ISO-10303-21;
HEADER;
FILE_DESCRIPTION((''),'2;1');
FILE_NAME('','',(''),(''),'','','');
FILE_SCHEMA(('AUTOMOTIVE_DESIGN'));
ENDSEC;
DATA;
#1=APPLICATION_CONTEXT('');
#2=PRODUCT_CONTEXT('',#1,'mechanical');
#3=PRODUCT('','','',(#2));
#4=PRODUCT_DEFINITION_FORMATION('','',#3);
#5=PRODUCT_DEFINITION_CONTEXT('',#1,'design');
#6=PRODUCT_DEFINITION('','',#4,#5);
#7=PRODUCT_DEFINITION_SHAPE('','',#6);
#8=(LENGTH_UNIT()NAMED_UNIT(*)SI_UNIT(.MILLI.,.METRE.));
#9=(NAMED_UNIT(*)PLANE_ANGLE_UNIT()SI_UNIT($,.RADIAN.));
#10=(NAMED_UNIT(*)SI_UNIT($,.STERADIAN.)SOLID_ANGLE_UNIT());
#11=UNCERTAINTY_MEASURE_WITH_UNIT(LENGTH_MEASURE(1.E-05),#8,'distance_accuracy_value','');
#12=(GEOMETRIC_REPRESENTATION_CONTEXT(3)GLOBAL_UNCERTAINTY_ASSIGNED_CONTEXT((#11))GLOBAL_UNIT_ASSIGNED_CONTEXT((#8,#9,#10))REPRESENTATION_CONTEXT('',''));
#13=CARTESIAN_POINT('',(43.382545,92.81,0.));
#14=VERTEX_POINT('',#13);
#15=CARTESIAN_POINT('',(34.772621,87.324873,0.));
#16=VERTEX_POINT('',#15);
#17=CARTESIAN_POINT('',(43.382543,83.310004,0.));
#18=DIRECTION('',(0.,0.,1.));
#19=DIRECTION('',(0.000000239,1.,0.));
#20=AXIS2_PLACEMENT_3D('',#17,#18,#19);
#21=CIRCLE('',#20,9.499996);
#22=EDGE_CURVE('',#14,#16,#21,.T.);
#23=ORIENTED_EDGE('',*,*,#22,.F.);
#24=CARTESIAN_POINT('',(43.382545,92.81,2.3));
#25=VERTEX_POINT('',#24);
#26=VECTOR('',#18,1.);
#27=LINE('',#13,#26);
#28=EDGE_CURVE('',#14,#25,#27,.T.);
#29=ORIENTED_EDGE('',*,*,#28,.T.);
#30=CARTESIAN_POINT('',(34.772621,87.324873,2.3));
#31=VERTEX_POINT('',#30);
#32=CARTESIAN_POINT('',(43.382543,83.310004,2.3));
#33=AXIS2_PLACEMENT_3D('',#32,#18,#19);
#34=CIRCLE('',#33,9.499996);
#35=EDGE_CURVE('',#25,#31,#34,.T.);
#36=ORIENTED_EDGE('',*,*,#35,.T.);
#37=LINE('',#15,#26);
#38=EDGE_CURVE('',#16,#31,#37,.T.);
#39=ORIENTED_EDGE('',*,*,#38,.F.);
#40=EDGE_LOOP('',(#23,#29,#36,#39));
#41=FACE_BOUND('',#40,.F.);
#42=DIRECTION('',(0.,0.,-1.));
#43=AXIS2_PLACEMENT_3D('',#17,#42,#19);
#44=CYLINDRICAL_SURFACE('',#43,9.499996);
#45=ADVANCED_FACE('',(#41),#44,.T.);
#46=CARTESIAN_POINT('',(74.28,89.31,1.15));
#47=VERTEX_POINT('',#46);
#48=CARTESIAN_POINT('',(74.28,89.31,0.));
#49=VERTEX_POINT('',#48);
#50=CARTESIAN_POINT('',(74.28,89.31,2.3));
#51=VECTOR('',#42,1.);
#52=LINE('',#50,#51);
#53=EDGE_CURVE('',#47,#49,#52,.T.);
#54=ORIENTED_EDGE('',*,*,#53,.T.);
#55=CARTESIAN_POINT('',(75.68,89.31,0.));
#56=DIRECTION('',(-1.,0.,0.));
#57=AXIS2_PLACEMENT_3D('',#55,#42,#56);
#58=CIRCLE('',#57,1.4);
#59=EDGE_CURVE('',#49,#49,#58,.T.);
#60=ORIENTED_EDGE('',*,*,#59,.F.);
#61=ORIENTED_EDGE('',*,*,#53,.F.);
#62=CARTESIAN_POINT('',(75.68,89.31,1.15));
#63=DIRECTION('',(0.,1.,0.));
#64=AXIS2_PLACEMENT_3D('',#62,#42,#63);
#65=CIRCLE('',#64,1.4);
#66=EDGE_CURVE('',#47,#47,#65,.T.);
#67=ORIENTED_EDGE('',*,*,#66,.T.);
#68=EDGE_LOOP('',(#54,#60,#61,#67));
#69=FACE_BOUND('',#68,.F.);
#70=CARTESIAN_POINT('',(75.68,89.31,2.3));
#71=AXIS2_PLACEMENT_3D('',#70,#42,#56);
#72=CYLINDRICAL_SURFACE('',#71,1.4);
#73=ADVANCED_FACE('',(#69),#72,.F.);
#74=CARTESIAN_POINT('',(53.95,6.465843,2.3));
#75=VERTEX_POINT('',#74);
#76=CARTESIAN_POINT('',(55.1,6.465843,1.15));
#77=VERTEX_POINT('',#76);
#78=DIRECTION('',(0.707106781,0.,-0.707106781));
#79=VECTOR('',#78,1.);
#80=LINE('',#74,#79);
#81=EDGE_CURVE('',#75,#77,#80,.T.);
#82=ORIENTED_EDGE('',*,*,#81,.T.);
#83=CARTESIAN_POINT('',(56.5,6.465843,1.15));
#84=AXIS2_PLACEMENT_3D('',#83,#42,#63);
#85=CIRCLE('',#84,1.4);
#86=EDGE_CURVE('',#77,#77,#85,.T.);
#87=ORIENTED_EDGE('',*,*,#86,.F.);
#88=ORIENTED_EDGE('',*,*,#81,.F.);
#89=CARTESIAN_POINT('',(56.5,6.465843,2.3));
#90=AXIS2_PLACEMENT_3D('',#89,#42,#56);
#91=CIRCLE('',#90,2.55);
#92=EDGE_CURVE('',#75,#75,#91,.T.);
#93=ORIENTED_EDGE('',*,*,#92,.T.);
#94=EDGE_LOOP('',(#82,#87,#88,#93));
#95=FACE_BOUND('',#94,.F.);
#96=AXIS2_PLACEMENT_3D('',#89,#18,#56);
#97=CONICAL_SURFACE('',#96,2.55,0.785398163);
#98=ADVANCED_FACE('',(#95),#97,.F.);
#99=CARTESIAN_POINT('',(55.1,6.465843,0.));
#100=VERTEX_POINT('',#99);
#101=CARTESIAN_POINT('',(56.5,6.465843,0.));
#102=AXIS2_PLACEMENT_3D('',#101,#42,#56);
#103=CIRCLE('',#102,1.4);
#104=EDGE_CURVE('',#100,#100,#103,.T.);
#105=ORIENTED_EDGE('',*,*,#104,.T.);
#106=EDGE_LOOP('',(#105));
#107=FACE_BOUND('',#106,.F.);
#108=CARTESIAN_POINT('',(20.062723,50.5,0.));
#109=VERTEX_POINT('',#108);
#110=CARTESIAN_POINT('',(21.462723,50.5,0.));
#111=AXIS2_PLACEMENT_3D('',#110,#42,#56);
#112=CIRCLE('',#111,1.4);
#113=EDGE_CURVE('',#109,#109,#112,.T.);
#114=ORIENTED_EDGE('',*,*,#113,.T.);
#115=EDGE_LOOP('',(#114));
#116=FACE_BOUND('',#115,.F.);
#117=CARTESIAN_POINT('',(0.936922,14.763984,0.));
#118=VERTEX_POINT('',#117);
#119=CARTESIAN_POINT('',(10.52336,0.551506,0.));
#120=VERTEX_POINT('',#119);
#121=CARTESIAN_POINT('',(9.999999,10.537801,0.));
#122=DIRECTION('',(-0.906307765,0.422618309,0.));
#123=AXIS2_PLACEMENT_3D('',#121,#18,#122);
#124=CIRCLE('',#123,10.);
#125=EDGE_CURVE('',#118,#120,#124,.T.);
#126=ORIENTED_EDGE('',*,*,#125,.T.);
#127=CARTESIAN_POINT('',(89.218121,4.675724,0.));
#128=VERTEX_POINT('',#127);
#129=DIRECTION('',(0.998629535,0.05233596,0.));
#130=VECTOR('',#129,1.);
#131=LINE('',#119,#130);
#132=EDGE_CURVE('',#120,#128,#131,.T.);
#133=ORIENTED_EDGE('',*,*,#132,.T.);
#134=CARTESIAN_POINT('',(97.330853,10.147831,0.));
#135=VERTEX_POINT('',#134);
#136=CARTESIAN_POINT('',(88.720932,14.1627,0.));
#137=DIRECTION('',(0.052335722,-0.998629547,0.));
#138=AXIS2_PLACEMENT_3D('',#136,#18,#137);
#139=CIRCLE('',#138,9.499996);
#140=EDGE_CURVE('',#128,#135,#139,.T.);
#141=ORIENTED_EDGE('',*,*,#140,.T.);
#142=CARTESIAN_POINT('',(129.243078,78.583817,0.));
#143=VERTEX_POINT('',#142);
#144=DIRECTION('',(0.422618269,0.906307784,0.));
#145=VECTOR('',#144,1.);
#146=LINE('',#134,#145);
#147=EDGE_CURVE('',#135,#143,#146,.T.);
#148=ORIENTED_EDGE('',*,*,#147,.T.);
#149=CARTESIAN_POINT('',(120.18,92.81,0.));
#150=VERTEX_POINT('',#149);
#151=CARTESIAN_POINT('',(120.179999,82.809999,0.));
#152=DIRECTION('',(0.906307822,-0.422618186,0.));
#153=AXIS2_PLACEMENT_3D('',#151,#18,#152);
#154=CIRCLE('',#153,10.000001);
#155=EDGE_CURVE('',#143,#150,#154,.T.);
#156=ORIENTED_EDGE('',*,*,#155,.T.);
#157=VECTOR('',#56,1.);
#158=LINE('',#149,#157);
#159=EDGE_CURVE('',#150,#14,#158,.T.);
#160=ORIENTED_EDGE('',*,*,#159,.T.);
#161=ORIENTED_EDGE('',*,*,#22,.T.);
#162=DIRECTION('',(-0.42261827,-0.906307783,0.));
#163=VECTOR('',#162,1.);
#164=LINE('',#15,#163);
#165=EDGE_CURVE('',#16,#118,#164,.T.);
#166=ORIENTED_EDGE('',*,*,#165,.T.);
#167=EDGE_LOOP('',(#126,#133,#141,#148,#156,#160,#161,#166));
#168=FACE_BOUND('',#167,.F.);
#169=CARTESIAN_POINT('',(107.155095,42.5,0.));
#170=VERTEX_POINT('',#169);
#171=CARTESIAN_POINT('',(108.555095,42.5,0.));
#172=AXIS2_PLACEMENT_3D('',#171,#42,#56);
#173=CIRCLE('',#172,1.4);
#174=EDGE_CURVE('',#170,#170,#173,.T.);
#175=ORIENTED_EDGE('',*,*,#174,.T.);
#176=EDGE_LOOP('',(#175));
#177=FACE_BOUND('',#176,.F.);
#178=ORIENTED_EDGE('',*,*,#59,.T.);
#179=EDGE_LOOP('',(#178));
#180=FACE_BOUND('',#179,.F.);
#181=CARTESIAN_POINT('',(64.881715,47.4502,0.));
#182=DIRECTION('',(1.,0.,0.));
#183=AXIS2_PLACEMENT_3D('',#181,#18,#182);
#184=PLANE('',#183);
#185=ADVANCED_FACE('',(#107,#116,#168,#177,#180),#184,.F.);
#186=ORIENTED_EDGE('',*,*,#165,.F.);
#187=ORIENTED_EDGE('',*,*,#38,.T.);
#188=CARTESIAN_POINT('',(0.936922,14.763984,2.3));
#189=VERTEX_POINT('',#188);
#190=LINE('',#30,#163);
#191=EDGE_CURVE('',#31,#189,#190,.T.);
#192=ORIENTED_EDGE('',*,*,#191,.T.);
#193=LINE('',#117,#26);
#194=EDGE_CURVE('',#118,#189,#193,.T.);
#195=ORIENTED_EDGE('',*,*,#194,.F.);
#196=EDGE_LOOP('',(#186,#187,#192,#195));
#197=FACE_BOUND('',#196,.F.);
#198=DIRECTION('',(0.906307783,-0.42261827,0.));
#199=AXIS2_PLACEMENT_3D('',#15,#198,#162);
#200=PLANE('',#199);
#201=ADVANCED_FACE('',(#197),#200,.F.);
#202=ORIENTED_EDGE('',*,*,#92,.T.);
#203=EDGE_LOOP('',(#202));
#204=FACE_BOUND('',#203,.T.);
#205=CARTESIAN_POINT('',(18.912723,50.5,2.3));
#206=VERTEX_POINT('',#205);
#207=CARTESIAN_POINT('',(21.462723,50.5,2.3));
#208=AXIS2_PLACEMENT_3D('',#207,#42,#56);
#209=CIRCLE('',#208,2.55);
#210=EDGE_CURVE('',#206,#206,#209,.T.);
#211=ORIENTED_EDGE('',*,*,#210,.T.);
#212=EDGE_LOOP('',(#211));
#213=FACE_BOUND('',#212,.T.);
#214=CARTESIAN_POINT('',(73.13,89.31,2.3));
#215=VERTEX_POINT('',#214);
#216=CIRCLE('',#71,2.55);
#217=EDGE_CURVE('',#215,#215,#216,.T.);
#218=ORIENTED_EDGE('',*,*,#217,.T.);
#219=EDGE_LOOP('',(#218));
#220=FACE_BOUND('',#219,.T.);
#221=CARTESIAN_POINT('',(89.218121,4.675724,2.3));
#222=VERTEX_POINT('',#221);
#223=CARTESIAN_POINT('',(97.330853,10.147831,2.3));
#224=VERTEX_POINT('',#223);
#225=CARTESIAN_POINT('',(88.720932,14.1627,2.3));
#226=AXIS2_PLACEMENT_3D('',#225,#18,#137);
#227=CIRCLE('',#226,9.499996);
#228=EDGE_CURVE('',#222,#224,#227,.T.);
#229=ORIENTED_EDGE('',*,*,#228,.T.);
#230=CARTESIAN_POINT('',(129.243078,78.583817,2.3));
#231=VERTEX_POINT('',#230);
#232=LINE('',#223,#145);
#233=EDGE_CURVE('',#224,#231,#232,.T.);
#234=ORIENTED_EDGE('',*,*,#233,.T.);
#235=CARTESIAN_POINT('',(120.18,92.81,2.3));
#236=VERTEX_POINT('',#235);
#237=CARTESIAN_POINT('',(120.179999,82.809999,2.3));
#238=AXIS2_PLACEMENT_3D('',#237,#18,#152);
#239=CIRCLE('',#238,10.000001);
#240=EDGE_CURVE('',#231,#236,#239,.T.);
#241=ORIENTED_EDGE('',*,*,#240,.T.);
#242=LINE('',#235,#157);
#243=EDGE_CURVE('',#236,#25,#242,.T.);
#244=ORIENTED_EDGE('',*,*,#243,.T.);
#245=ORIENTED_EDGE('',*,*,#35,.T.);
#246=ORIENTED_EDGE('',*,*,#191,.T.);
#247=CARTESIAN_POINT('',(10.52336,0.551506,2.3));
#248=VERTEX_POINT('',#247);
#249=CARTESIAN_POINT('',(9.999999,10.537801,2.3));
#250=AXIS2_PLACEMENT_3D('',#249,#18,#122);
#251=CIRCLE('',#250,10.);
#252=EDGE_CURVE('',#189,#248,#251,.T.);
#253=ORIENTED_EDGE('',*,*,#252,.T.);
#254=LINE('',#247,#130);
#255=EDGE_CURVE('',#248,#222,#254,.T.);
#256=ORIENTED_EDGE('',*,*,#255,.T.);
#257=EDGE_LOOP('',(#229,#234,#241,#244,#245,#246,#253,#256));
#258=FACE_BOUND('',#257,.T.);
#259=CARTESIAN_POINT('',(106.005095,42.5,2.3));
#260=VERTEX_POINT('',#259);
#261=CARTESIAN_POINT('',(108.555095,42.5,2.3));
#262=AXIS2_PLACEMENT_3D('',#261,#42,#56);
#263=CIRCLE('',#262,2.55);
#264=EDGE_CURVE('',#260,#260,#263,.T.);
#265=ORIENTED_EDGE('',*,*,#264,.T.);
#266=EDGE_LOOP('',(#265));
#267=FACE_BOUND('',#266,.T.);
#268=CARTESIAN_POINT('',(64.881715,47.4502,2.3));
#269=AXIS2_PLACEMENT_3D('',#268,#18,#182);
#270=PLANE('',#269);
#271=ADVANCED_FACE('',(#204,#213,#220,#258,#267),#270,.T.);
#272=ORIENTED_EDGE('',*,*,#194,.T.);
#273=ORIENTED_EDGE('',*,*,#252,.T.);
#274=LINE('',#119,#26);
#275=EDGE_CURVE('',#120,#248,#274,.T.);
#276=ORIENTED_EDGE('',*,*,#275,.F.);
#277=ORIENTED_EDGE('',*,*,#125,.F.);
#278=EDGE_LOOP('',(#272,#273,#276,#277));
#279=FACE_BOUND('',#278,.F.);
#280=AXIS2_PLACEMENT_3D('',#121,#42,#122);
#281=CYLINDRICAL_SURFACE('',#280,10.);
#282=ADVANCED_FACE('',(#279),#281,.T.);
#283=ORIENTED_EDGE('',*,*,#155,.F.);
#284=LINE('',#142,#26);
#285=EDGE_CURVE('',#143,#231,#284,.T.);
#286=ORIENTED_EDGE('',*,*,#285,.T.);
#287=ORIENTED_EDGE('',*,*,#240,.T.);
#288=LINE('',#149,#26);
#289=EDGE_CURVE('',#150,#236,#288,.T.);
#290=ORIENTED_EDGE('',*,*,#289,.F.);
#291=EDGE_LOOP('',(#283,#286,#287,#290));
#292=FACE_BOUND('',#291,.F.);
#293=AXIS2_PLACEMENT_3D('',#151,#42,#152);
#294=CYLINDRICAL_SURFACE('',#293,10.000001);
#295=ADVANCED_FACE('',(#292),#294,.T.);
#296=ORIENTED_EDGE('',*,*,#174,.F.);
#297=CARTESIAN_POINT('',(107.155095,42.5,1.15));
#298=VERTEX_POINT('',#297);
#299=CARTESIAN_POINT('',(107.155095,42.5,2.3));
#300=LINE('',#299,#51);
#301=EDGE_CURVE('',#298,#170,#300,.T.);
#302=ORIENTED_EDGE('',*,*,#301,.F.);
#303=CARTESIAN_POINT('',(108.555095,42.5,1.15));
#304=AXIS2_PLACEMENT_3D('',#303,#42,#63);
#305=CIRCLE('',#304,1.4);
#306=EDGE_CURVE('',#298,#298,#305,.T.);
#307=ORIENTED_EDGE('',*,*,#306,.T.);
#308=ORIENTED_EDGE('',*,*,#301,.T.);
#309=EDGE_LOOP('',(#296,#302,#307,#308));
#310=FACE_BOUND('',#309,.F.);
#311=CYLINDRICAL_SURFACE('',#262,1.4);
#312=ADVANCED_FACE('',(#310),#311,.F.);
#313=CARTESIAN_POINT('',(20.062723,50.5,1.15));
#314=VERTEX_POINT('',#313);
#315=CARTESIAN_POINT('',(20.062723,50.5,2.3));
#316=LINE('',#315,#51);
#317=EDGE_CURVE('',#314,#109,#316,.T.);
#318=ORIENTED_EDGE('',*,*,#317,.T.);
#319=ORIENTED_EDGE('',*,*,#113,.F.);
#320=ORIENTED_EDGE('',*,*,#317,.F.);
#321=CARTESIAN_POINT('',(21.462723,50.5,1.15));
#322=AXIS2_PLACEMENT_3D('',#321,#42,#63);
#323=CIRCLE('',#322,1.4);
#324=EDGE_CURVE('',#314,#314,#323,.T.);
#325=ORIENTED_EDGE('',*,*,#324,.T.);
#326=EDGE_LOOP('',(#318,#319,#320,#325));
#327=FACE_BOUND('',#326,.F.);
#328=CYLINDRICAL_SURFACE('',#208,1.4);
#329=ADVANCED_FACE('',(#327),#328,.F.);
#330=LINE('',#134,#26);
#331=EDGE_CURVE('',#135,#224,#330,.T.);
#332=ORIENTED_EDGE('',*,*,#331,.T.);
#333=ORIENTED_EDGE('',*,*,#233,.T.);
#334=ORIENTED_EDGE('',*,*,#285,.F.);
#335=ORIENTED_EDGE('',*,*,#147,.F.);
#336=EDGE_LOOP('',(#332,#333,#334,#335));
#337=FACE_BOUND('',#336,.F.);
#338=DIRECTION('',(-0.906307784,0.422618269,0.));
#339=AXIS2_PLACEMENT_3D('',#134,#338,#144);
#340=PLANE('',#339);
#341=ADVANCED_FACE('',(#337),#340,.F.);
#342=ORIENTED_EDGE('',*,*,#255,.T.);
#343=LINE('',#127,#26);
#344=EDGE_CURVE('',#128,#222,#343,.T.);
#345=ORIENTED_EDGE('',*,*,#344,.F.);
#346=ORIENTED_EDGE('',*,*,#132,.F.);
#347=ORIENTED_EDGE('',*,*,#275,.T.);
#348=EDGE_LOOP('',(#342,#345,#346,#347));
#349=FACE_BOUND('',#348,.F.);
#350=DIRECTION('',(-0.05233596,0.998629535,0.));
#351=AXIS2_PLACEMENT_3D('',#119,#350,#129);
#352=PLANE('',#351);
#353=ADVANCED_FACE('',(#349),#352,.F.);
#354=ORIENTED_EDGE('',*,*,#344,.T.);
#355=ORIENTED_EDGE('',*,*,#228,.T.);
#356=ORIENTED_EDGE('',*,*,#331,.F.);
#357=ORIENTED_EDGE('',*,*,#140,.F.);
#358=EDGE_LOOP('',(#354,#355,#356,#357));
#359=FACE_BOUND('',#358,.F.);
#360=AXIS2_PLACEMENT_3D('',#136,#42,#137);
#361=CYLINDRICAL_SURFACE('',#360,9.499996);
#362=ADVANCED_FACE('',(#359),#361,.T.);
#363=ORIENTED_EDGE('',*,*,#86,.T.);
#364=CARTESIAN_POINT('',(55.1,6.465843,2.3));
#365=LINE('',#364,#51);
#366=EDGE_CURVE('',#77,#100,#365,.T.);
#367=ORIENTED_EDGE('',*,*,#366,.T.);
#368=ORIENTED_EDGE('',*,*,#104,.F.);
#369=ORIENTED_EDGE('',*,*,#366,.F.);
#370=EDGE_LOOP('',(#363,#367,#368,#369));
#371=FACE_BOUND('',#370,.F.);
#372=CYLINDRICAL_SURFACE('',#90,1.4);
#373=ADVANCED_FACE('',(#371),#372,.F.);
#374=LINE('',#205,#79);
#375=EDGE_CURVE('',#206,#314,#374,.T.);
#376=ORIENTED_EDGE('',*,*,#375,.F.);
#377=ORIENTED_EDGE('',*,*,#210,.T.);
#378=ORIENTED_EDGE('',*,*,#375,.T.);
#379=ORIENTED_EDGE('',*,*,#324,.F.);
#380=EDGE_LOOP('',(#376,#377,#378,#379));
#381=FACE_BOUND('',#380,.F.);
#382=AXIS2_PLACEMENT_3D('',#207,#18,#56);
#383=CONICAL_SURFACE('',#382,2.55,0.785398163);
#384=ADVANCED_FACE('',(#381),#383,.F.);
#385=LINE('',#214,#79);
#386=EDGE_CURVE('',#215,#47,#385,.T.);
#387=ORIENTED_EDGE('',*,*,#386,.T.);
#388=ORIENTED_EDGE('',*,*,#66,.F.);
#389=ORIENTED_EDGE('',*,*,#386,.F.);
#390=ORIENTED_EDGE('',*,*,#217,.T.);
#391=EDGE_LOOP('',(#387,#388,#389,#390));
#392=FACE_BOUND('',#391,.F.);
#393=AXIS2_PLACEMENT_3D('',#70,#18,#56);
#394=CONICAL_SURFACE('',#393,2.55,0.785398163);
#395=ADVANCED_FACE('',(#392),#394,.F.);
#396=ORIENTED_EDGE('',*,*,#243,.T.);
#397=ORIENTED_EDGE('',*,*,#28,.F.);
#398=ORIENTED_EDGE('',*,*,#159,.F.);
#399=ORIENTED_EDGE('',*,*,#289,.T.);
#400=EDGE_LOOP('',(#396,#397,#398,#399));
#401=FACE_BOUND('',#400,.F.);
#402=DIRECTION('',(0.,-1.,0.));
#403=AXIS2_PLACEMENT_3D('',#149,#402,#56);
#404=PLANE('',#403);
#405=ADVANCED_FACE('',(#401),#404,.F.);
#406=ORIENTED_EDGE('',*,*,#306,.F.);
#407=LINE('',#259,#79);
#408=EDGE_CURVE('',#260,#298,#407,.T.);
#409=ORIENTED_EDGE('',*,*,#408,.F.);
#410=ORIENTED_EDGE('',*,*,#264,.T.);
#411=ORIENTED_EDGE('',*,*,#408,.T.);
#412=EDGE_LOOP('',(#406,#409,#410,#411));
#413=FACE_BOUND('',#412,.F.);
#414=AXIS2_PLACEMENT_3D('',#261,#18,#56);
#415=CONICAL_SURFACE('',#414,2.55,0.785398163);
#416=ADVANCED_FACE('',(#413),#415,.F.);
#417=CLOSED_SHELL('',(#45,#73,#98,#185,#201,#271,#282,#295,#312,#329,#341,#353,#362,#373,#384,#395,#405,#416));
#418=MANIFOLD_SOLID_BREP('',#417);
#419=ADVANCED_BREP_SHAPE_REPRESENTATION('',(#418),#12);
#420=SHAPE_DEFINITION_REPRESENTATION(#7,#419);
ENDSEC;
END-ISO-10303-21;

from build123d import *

# Parameters (mm, degrees)
F1_DEPTH       = 2.3
F3_D           = 2.8
F3_CSINK_D     = 5.1
F3_CSINK_ANGLE = 90


with BuildPart() as f1:
    # F0 (on Top) → F1 (new body)
    with BuildSketch(Plane.XY):
        with BuildLine():
            Line((34.772621, 87.324873), (0.936922, 14.763984))
            ThreePointArc((0.936922, 14.763984), (1.709624, 4.945872), (10.52336, 0.551506))
            Line((10.52336, 0.551506), (89.218121, 4.675724))
            ThreePointArc((89.218121, 4.675724), (94.033262, 6.286847), (97.330853, 10.147831))
            Line((97.330853, 10.147831), (129.243078, 78.583817))
            ThreePointArc((129.243078, 78.583817), (128.613914, 88.182996), (120.18, 92.81))
            Line((120.18, 92.81), (43.382545, 92.81))
            ThreePointArc((43.382545, 92.81), (38.278198, 91.322219), (34.772621, 87.324873))
        make_face()
    extrude(amount=F1_DEPTH)

    # F3 (through all)
    with Locations(Plane.XY.offset(2.3)):
        with Locations((21.462723, 50.5), (108.555095, 42.5), (75.68, 89.31), (56.5, 6.465843)):
            CounterSinkHole(F3_D / 2, F3_CSINK_D / 2, counter_sink_angle=F3_CSINK_ANGLE)


solid = f1.part
